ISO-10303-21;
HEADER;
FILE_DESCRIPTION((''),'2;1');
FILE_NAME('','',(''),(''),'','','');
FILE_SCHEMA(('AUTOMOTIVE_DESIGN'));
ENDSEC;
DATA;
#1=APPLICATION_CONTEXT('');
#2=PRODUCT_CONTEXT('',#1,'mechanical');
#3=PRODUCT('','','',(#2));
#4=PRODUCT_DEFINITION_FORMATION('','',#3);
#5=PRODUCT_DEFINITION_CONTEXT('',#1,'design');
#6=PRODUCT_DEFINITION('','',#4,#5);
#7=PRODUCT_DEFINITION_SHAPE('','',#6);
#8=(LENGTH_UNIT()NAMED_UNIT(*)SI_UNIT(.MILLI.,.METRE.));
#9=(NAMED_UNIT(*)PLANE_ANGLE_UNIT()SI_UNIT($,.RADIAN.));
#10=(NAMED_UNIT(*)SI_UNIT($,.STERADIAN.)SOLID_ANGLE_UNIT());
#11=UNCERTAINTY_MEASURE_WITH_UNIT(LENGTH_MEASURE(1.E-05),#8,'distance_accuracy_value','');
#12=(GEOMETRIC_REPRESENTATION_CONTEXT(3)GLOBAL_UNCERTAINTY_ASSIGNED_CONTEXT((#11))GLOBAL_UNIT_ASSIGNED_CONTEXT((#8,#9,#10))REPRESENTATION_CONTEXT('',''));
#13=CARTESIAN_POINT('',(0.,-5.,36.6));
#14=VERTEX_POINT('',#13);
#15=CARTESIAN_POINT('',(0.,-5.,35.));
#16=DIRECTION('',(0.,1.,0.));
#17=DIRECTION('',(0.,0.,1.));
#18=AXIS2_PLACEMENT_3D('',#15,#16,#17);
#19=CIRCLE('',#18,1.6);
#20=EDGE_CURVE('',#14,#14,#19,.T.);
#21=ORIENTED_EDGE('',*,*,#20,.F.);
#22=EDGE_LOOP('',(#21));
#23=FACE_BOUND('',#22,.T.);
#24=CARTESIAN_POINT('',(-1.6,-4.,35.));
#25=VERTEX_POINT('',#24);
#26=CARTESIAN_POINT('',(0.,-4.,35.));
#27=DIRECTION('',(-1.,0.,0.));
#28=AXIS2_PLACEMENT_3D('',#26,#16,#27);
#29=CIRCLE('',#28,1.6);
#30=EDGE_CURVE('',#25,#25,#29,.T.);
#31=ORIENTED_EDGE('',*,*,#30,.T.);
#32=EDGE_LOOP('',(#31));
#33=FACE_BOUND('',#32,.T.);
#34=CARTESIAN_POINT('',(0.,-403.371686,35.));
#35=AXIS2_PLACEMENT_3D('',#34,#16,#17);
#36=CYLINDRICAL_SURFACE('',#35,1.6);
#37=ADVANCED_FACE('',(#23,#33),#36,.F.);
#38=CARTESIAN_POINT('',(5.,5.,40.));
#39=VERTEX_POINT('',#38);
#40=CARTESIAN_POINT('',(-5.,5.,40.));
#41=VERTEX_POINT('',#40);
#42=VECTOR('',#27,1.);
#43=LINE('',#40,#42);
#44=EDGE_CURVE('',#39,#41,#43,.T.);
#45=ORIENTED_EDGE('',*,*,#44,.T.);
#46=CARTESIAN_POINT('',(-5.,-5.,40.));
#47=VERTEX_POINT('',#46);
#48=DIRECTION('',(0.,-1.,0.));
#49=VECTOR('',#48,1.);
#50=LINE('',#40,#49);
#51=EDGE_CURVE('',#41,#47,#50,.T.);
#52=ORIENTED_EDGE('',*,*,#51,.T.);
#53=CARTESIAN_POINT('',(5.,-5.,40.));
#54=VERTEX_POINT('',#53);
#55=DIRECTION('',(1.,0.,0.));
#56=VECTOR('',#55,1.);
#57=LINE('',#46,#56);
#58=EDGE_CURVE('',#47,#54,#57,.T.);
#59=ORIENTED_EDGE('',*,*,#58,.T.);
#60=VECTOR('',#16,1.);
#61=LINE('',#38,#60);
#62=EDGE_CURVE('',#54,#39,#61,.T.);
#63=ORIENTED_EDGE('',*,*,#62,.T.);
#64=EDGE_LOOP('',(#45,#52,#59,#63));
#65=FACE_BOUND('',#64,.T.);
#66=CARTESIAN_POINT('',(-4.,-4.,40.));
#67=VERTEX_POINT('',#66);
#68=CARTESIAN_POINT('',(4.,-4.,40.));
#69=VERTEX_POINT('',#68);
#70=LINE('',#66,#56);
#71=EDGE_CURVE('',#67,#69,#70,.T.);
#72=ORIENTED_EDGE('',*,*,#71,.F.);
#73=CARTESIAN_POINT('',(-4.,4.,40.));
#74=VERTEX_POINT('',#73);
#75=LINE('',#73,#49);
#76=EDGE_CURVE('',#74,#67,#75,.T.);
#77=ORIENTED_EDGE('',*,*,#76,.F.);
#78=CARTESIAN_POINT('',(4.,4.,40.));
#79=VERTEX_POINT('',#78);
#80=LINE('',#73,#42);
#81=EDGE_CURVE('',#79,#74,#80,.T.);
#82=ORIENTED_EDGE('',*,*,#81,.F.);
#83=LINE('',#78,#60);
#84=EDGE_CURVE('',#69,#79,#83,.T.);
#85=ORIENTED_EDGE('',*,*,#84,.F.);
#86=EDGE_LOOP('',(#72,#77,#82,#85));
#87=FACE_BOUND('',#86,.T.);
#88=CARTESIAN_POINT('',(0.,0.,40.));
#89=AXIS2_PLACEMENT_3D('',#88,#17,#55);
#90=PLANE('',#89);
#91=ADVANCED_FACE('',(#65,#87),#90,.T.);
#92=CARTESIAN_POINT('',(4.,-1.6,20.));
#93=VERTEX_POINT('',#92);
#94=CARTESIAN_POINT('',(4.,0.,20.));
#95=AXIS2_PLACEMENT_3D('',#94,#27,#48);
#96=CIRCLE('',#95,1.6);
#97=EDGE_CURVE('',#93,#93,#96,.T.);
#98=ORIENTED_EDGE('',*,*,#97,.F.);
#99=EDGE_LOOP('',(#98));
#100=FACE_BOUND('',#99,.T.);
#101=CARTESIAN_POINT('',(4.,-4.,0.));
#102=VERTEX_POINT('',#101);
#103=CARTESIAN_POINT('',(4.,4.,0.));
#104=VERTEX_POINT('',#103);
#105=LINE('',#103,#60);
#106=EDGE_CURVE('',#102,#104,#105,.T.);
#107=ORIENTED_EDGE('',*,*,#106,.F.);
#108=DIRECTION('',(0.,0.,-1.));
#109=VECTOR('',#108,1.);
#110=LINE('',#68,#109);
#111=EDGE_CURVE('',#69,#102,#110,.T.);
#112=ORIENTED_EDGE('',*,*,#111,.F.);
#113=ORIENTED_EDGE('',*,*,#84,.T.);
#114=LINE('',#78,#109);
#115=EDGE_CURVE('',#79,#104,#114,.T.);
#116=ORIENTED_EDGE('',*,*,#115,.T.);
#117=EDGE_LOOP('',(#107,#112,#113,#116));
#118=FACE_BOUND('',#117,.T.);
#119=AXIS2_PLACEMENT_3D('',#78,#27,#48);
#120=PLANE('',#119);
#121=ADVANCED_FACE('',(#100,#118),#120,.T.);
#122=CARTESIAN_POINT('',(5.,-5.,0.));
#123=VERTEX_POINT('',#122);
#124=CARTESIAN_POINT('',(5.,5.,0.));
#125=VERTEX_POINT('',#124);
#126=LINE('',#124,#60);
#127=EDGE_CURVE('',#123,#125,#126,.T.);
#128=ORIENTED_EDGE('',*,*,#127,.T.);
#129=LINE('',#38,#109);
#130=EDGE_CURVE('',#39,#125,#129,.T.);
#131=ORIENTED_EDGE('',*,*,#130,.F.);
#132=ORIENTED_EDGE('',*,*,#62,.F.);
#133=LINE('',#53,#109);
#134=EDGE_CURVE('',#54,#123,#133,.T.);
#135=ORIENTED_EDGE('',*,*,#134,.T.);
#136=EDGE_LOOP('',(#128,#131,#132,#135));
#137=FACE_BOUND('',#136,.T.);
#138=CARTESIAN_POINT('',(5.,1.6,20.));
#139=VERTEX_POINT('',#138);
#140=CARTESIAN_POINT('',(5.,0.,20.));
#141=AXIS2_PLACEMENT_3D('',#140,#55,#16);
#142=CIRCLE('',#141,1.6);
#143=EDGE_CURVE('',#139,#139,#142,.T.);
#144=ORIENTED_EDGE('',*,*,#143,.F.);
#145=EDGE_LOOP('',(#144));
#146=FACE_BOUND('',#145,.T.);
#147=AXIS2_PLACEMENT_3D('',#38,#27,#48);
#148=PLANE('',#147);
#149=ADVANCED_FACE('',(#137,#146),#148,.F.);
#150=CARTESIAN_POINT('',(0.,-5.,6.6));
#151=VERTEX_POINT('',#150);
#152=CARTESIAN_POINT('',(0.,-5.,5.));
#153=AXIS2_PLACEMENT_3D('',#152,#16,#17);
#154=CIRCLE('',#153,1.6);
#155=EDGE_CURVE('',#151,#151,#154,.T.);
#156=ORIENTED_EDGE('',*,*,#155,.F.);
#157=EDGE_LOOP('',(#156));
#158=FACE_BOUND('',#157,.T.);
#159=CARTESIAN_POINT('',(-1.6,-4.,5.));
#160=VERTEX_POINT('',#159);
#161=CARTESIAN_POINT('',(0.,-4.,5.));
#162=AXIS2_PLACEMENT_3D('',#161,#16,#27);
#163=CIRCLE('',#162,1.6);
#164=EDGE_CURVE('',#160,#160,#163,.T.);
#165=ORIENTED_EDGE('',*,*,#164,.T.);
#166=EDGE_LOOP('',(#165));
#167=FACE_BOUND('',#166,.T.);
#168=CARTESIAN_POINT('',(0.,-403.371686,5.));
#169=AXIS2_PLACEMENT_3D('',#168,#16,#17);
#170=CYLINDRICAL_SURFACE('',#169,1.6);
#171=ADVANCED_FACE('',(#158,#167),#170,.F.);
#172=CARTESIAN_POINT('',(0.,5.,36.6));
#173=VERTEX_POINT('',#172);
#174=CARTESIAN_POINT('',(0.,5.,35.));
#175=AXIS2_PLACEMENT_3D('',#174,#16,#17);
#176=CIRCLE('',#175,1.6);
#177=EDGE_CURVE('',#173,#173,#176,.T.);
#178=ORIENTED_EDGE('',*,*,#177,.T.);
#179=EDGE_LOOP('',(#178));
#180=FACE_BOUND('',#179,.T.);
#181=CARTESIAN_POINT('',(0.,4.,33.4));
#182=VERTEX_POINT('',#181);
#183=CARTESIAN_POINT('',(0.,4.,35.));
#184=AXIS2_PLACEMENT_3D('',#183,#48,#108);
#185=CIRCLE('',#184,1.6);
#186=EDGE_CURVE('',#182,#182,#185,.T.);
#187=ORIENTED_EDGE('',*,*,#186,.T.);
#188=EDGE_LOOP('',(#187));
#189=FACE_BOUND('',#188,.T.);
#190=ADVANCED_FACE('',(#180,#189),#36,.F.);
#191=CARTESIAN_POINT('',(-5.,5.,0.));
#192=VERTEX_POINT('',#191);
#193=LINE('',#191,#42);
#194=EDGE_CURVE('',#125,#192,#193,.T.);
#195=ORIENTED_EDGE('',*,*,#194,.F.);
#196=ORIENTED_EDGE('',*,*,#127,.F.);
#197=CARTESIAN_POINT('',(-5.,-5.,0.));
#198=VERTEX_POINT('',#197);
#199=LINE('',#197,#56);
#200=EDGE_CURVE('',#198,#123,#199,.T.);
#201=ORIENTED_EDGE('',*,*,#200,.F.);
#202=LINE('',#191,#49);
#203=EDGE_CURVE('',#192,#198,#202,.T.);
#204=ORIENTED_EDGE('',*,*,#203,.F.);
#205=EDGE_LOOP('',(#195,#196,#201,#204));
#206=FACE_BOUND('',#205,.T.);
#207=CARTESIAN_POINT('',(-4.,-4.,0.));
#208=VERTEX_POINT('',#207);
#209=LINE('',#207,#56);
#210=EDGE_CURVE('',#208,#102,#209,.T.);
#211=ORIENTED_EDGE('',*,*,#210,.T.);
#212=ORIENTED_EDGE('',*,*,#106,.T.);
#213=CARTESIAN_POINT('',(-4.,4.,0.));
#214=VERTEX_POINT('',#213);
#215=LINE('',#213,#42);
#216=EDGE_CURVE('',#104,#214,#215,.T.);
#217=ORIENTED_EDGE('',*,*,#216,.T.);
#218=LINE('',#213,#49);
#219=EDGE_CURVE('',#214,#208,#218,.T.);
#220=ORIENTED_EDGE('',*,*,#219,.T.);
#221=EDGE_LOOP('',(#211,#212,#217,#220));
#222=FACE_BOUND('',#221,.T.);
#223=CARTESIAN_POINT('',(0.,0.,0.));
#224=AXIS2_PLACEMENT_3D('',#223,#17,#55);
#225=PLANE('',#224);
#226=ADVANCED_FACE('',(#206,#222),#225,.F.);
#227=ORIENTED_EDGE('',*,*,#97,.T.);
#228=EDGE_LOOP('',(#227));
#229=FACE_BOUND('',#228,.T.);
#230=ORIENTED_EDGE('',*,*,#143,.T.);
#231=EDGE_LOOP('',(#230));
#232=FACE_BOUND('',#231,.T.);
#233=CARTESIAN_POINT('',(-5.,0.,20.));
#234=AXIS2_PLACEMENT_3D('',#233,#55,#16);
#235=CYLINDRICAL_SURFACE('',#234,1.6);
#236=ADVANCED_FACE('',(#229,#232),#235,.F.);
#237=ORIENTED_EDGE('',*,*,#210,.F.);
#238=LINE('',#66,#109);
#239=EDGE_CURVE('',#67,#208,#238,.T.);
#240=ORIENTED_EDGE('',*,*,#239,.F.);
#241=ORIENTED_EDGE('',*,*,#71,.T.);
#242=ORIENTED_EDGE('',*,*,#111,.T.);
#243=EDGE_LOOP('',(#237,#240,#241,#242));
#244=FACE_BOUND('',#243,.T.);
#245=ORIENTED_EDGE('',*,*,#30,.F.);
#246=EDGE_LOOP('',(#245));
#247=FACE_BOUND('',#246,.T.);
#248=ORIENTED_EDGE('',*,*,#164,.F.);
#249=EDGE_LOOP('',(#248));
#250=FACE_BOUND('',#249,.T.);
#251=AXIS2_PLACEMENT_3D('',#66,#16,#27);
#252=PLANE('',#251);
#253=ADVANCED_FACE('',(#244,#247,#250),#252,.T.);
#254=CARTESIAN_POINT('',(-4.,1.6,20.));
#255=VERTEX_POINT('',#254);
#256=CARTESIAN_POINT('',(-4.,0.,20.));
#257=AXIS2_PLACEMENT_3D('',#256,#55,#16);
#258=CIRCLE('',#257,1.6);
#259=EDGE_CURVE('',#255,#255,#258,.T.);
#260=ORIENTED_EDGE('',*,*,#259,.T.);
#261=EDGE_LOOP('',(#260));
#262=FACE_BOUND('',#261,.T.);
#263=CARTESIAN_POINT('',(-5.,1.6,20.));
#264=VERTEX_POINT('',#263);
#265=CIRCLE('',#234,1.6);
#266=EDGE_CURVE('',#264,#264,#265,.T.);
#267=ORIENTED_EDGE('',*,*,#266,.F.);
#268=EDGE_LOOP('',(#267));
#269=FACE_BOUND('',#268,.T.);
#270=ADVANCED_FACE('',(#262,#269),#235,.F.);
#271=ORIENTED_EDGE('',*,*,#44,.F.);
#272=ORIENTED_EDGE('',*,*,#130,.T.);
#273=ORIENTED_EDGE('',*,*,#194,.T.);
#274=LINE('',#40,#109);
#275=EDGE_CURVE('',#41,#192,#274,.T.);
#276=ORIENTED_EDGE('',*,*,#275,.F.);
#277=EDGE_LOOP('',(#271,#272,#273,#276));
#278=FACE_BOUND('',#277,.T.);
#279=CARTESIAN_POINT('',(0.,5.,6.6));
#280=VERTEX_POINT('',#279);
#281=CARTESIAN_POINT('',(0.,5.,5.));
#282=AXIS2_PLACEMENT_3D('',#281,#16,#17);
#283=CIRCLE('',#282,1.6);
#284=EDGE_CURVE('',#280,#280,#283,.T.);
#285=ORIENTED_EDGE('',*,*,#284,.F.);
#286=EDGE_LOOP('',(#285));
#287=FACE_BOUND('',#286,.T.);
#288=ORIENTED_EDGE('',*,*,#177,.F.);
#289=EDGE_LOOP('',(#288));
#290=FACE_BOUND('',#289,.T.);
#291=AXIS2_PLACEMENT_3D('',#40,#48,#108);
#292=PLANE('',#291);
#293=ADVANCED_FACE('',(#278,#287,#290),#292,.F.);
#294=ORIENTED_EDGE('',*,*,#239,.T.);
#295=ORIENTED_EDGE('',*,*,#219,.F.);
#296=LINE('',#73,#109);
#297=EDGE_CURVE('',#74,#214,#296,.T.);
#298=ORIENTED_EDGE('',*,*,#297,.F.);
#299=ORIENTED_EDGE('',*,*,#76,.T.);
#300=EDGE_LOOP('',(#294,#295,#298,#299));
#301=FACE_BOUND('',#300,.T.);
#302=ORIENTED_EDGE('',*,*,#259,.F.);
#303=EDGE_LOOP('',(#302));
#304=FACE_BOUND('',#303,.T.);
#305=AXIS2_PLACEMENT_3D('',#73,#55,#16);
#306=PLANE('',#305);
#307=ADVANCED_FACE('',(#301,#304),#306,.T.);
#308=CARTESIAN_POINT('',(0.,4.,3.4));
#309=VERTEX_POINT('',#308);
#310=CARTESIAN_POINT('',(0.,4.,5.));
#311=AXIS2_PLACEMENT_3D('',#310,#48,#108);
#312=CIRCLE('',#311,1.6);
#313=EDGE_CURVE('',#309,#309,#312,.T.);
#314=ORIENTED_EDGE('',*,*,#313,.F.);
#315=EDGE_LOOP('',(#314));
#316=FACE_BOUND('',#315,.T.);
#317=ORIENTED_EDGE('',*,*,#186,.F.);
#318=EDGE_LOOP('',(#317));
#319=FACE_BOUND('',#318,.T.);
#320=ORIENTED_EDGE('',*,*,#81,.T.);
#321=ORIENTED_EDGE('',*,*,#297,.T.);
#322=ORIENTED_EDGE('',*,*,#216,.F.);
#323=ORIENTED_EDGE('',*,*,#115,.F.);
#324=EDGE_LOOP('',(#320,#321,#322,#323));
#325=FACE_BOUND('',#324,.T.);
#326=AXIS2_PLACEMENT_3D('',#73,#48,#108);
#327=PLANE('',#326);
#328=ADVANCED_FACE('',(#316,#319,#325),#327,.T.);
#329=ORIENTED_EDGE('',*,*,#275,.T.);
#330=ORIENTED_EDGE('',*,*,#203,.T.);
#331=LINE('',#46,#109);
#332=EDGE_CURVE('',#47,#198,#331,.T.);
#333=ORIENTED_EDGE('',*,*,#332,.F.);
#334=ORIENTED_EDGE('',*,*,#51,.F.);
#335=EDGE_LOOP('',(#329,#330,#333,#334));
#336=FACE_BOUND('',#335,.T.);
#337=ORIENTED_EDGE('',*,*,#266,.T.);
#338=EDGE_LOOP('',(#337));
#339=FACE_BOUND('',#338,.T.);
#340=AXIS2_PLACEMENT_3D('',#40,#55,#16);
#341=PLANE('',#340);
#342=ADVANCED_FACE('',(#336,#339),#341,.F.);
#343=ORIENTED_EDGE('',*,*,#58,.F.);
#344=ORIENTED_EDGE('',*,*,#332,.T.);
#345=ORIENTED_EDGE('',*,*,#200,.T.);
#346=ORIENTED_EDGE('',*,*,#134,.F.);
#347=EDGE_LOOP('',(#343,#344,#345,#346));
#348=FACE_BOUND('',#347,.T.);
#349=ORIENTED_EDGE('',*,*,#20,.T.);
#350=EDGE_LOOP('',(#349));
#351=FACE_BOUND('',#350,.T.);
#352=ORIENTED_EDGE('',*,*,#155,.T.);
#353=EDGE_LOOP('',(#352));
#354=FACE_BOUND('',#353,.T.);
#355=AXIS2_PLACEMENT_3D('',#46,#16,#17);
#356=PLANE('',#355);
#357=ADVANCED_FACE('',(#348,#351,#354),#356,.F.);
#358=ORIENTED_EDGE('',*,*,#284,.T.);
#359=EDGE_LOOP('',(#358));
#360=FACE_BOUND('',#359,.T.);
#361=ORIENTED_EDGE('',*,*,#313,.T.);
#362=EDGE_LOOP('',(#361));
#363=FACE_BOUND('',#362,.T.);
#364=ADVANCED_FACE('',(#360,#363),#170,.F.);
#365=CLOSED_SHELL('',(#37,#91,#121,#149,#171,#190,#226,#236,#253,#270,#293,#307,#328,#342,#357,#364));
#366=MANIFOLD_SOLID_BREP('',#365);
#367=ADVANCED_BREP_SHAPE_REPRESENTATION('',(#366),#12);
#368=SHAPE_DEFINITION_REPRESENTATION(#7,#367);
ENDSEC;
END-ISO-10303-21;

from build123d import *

# Parameters (mm, degrees)
SKETCH_1_W          = 10
SKETCH_1_H          = 10
SKETCH_1_W_2        = 8
SKETCH_1_H_2        = 8
EXTRUDE_1_DEPTH     = 40
SKETCH_2_R          = 1.6
CUT_EXTRUDE_1_DEPTH = 408.37168574
SKETCH_3_R          = 1.6
CUT_EXTRUDE_2_DEPTH = 10


with BuildPart() as part:
    # ｽｹｯﾁ1 → ﾎﾞｽ - 押し出し1 (new body)
    with BuildSketch(Plane.XY):
        Rectangle(SKETCH_1_W, SKETCH_1_H)
        Rectangle(SKETCH_1_W_2, SKETCH_1_H_2, mode=Mode.SUBTRACT)
    extrude(amount=EXTRUDE_1_DEPTH)

    # ｽｹｯﾁ2 → ｶｯﾄ - 押し出し1 (cut)
    with BuildSketch(Plane(origin=(0, 5, 0), x_dir=(1, 0, 0), z_dir=(0, 1, 0))):
        with Locations(Location((0, -5, 0), (0, 0, 270))):
            Circle(SKETCH_2_R)
        with Locations(Location((0, -35, 0), (0, 0, 270))):
            Circle(SKETCH_2_R)
    extrude(amount=-CUT_EXTRUDE_1_DEPTH, mode=Mode.SUBTRACT)

    # ｽｹｯﾁ3 → ｶｯﾄ - 押し出し2 (cut)
    with BuildSketch(Plane(origin=(5, 0, 0), x_dir=(0, 0, -1), z_dir=(1, 0, 0))):
        with Locations(Location((-20, 0, 0), (0, 0, 90))):
            Circle(SKETCH_3_R)
    extrude(amount=-CUT_EXTRUDE_2_DEPTH, mode=Mode.SUBTRACT)


solid = part.part
